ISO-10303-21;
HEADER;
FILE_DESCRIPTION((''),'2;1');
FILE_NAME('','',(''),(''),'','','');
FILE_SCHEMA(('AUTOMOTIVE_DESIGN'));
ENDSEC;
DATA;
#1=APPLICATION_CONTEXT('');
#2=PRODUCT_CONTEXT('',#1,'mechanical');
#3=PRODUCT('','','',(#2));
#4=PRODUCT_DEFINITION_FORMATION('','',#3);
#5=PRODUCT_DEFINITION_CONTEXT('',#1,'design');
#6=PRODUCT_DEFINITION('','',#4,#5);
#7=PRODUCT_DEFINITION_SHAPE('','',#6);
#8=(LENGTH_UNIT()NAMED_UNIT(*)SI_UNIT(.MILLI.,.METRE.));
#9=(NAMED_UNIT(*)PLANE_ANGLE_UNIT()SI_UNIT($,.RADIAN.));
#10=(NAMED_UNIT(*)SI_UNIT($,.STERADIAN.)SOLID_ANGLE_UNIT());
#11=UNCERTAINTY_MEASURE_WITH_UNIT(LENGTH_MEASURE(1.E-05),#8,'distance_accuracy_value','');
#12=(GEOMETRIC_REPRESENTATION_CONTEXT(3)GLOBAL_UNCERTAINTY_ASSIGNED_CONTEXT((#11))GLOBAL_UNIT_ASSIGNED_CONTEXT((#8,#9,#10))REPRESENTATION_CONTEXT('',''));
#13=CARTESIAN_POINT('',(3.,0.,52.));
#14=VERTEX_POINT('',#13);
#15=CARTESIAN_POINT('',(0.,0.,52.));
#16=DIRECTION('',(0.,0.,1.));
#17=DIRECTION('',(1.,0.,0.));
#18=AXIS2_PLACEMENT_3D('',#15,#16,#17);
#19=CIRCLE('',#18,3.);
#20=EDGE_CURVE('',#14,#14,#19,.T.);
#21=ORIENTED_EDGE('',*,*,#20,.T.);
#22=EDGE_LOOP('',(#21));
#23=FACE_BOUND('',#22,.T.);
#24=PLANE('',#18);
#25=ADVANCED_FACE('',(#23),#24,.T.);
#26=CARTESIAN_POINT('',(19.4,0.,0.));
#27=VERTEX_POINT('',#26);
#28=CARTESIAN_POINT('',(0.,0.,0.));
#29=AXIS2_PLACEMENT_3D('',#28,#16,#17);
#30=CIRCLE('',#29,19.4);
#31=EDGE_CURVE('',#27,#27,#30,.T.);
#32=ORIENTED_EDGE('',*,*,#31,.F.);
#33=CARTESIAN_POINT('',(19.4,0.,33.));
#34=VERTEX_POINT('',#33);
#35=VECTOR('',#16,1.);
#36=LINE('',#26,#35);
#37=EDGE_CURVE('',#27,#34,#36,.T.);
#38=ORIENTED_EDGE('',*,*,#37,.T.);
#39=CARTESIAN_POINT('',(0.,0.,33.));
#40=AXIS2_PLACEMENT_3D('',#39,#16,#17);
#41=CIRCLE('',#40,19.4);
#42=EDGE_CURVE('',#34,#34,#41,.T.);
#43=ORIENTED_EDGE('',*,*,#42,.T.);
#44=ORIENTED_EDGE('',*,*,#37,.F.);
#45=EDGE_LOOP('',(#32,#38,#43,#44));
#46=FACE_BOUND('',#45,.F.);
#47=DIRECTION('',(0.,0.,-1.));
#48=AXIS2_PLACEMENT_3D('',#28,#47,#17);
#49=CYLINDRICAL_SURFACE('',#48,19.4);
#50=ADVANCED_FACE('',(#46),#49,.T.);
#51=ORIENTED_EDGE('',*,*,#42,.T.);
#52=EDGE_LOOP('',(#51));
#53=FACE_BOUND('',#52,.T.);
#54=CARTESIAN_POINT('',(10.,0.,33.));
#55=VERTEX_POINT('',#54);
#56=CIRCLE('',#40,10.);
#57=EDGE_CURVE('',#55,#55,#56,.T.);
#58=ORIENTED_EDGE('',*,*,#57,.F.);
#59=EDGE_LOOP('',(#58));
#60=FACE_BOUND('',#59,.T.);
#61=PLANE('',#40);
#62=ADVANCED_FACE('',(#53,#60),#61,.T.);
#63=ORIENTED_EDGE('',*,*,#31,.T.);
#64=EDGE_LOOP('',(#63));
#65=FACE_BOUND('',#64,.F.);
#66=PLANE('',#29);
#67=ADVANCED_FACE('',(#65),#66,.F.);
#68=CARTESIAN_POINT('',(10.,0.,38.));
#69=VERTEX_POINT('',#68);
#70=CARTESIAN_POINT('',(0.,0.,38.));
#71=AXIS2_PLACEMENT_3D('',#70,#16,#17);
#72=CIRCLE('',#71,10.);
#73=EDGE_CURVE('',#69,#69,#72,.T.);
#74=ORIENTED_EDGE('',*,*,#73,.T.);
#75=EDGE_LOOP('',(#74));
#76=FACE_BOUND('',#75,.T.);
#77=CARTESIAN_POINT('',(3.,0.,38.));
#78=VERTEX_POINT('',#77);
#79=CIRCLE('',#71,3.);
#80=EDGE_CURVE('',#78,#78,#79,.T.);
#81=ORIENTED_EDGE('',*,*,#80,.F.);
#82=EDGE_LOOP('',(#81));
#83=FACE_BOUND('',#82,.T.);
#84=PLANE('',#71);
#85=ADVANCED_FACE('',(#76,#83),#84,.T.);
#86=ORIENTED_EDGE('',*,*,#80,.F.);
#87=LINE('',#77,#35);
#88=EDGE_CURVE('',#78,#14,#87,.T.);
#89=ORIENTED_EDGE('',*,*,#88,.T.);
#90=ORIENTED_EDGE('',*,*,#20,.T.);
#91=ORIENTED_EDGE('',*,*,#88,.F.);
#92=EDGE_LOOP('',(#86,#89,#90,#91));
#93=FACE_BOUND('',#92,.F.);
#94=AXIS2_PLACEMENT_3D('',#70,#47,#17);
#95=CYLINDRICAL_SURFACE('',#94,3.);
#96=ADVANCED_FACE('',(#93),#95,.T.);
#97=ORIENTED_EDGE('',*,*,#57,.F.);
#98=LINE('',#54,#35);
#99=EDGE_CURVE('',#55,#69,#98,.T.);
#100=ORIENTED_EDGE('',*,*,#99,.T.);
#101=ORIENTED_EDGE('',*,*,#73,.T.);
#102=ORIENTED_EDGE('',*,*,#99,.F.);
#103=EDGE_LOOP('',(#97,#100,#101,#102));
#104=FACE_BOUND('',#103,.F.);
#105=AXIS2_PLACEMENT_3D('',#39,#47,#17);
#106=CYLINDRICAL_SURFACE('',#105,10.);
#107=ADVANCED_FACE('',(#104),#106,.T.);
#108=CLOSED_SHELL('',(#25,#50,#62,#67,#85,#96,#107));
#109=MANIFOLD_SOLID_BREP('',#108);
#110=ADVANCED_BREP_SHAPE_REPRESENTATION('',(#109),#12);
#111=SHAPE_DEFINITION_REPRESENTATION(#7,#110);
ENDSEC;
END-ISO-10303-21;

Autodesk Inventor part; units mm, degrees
ref_plane "YZ Plane" through (0, 0, 0) normal (1, 0, 0) x (0, 1, 0)
ref_plane "XZ Plane" through (0, 0, 0) normal (0, 1, 0) x (-1, 0, 0)
ref_plane "XY Plane" through (0, 0, 0) normal (0, 0, 1) x (1, 0, 0)
sketch "Sketch1" plane through (0, 0, 0) normal (0, 0, 1) x (1, 0, 0)
  circle A0 centre (0, 0) radius 19.4
  dimension "d0" = 38.8
extrude "Extrusion1" add sketch "Sketch1" along normal blind 33
sketch "Sketch2" plane through (0, 0, 33) normal (0, 0, 1) x (1, 0, 0)
  circle A0 centre (0, 0) radius 10
  dimension "d3" = 20
extrude "Extrusion2" add sketch "Sketch2" along normal blind 5
sketch "Sketch3" plane through (0, 0, 38) normal (0, 0, 1) x (1, 0, 0)
  circle A0 centre (0, 0) radius 3
  dimension "d6" = 6
extrude "Extrusion3" add sketch "Sketch3" along normal blind 14
properties part number "EB38S6 Encoder" material "Aluminum 6061"
